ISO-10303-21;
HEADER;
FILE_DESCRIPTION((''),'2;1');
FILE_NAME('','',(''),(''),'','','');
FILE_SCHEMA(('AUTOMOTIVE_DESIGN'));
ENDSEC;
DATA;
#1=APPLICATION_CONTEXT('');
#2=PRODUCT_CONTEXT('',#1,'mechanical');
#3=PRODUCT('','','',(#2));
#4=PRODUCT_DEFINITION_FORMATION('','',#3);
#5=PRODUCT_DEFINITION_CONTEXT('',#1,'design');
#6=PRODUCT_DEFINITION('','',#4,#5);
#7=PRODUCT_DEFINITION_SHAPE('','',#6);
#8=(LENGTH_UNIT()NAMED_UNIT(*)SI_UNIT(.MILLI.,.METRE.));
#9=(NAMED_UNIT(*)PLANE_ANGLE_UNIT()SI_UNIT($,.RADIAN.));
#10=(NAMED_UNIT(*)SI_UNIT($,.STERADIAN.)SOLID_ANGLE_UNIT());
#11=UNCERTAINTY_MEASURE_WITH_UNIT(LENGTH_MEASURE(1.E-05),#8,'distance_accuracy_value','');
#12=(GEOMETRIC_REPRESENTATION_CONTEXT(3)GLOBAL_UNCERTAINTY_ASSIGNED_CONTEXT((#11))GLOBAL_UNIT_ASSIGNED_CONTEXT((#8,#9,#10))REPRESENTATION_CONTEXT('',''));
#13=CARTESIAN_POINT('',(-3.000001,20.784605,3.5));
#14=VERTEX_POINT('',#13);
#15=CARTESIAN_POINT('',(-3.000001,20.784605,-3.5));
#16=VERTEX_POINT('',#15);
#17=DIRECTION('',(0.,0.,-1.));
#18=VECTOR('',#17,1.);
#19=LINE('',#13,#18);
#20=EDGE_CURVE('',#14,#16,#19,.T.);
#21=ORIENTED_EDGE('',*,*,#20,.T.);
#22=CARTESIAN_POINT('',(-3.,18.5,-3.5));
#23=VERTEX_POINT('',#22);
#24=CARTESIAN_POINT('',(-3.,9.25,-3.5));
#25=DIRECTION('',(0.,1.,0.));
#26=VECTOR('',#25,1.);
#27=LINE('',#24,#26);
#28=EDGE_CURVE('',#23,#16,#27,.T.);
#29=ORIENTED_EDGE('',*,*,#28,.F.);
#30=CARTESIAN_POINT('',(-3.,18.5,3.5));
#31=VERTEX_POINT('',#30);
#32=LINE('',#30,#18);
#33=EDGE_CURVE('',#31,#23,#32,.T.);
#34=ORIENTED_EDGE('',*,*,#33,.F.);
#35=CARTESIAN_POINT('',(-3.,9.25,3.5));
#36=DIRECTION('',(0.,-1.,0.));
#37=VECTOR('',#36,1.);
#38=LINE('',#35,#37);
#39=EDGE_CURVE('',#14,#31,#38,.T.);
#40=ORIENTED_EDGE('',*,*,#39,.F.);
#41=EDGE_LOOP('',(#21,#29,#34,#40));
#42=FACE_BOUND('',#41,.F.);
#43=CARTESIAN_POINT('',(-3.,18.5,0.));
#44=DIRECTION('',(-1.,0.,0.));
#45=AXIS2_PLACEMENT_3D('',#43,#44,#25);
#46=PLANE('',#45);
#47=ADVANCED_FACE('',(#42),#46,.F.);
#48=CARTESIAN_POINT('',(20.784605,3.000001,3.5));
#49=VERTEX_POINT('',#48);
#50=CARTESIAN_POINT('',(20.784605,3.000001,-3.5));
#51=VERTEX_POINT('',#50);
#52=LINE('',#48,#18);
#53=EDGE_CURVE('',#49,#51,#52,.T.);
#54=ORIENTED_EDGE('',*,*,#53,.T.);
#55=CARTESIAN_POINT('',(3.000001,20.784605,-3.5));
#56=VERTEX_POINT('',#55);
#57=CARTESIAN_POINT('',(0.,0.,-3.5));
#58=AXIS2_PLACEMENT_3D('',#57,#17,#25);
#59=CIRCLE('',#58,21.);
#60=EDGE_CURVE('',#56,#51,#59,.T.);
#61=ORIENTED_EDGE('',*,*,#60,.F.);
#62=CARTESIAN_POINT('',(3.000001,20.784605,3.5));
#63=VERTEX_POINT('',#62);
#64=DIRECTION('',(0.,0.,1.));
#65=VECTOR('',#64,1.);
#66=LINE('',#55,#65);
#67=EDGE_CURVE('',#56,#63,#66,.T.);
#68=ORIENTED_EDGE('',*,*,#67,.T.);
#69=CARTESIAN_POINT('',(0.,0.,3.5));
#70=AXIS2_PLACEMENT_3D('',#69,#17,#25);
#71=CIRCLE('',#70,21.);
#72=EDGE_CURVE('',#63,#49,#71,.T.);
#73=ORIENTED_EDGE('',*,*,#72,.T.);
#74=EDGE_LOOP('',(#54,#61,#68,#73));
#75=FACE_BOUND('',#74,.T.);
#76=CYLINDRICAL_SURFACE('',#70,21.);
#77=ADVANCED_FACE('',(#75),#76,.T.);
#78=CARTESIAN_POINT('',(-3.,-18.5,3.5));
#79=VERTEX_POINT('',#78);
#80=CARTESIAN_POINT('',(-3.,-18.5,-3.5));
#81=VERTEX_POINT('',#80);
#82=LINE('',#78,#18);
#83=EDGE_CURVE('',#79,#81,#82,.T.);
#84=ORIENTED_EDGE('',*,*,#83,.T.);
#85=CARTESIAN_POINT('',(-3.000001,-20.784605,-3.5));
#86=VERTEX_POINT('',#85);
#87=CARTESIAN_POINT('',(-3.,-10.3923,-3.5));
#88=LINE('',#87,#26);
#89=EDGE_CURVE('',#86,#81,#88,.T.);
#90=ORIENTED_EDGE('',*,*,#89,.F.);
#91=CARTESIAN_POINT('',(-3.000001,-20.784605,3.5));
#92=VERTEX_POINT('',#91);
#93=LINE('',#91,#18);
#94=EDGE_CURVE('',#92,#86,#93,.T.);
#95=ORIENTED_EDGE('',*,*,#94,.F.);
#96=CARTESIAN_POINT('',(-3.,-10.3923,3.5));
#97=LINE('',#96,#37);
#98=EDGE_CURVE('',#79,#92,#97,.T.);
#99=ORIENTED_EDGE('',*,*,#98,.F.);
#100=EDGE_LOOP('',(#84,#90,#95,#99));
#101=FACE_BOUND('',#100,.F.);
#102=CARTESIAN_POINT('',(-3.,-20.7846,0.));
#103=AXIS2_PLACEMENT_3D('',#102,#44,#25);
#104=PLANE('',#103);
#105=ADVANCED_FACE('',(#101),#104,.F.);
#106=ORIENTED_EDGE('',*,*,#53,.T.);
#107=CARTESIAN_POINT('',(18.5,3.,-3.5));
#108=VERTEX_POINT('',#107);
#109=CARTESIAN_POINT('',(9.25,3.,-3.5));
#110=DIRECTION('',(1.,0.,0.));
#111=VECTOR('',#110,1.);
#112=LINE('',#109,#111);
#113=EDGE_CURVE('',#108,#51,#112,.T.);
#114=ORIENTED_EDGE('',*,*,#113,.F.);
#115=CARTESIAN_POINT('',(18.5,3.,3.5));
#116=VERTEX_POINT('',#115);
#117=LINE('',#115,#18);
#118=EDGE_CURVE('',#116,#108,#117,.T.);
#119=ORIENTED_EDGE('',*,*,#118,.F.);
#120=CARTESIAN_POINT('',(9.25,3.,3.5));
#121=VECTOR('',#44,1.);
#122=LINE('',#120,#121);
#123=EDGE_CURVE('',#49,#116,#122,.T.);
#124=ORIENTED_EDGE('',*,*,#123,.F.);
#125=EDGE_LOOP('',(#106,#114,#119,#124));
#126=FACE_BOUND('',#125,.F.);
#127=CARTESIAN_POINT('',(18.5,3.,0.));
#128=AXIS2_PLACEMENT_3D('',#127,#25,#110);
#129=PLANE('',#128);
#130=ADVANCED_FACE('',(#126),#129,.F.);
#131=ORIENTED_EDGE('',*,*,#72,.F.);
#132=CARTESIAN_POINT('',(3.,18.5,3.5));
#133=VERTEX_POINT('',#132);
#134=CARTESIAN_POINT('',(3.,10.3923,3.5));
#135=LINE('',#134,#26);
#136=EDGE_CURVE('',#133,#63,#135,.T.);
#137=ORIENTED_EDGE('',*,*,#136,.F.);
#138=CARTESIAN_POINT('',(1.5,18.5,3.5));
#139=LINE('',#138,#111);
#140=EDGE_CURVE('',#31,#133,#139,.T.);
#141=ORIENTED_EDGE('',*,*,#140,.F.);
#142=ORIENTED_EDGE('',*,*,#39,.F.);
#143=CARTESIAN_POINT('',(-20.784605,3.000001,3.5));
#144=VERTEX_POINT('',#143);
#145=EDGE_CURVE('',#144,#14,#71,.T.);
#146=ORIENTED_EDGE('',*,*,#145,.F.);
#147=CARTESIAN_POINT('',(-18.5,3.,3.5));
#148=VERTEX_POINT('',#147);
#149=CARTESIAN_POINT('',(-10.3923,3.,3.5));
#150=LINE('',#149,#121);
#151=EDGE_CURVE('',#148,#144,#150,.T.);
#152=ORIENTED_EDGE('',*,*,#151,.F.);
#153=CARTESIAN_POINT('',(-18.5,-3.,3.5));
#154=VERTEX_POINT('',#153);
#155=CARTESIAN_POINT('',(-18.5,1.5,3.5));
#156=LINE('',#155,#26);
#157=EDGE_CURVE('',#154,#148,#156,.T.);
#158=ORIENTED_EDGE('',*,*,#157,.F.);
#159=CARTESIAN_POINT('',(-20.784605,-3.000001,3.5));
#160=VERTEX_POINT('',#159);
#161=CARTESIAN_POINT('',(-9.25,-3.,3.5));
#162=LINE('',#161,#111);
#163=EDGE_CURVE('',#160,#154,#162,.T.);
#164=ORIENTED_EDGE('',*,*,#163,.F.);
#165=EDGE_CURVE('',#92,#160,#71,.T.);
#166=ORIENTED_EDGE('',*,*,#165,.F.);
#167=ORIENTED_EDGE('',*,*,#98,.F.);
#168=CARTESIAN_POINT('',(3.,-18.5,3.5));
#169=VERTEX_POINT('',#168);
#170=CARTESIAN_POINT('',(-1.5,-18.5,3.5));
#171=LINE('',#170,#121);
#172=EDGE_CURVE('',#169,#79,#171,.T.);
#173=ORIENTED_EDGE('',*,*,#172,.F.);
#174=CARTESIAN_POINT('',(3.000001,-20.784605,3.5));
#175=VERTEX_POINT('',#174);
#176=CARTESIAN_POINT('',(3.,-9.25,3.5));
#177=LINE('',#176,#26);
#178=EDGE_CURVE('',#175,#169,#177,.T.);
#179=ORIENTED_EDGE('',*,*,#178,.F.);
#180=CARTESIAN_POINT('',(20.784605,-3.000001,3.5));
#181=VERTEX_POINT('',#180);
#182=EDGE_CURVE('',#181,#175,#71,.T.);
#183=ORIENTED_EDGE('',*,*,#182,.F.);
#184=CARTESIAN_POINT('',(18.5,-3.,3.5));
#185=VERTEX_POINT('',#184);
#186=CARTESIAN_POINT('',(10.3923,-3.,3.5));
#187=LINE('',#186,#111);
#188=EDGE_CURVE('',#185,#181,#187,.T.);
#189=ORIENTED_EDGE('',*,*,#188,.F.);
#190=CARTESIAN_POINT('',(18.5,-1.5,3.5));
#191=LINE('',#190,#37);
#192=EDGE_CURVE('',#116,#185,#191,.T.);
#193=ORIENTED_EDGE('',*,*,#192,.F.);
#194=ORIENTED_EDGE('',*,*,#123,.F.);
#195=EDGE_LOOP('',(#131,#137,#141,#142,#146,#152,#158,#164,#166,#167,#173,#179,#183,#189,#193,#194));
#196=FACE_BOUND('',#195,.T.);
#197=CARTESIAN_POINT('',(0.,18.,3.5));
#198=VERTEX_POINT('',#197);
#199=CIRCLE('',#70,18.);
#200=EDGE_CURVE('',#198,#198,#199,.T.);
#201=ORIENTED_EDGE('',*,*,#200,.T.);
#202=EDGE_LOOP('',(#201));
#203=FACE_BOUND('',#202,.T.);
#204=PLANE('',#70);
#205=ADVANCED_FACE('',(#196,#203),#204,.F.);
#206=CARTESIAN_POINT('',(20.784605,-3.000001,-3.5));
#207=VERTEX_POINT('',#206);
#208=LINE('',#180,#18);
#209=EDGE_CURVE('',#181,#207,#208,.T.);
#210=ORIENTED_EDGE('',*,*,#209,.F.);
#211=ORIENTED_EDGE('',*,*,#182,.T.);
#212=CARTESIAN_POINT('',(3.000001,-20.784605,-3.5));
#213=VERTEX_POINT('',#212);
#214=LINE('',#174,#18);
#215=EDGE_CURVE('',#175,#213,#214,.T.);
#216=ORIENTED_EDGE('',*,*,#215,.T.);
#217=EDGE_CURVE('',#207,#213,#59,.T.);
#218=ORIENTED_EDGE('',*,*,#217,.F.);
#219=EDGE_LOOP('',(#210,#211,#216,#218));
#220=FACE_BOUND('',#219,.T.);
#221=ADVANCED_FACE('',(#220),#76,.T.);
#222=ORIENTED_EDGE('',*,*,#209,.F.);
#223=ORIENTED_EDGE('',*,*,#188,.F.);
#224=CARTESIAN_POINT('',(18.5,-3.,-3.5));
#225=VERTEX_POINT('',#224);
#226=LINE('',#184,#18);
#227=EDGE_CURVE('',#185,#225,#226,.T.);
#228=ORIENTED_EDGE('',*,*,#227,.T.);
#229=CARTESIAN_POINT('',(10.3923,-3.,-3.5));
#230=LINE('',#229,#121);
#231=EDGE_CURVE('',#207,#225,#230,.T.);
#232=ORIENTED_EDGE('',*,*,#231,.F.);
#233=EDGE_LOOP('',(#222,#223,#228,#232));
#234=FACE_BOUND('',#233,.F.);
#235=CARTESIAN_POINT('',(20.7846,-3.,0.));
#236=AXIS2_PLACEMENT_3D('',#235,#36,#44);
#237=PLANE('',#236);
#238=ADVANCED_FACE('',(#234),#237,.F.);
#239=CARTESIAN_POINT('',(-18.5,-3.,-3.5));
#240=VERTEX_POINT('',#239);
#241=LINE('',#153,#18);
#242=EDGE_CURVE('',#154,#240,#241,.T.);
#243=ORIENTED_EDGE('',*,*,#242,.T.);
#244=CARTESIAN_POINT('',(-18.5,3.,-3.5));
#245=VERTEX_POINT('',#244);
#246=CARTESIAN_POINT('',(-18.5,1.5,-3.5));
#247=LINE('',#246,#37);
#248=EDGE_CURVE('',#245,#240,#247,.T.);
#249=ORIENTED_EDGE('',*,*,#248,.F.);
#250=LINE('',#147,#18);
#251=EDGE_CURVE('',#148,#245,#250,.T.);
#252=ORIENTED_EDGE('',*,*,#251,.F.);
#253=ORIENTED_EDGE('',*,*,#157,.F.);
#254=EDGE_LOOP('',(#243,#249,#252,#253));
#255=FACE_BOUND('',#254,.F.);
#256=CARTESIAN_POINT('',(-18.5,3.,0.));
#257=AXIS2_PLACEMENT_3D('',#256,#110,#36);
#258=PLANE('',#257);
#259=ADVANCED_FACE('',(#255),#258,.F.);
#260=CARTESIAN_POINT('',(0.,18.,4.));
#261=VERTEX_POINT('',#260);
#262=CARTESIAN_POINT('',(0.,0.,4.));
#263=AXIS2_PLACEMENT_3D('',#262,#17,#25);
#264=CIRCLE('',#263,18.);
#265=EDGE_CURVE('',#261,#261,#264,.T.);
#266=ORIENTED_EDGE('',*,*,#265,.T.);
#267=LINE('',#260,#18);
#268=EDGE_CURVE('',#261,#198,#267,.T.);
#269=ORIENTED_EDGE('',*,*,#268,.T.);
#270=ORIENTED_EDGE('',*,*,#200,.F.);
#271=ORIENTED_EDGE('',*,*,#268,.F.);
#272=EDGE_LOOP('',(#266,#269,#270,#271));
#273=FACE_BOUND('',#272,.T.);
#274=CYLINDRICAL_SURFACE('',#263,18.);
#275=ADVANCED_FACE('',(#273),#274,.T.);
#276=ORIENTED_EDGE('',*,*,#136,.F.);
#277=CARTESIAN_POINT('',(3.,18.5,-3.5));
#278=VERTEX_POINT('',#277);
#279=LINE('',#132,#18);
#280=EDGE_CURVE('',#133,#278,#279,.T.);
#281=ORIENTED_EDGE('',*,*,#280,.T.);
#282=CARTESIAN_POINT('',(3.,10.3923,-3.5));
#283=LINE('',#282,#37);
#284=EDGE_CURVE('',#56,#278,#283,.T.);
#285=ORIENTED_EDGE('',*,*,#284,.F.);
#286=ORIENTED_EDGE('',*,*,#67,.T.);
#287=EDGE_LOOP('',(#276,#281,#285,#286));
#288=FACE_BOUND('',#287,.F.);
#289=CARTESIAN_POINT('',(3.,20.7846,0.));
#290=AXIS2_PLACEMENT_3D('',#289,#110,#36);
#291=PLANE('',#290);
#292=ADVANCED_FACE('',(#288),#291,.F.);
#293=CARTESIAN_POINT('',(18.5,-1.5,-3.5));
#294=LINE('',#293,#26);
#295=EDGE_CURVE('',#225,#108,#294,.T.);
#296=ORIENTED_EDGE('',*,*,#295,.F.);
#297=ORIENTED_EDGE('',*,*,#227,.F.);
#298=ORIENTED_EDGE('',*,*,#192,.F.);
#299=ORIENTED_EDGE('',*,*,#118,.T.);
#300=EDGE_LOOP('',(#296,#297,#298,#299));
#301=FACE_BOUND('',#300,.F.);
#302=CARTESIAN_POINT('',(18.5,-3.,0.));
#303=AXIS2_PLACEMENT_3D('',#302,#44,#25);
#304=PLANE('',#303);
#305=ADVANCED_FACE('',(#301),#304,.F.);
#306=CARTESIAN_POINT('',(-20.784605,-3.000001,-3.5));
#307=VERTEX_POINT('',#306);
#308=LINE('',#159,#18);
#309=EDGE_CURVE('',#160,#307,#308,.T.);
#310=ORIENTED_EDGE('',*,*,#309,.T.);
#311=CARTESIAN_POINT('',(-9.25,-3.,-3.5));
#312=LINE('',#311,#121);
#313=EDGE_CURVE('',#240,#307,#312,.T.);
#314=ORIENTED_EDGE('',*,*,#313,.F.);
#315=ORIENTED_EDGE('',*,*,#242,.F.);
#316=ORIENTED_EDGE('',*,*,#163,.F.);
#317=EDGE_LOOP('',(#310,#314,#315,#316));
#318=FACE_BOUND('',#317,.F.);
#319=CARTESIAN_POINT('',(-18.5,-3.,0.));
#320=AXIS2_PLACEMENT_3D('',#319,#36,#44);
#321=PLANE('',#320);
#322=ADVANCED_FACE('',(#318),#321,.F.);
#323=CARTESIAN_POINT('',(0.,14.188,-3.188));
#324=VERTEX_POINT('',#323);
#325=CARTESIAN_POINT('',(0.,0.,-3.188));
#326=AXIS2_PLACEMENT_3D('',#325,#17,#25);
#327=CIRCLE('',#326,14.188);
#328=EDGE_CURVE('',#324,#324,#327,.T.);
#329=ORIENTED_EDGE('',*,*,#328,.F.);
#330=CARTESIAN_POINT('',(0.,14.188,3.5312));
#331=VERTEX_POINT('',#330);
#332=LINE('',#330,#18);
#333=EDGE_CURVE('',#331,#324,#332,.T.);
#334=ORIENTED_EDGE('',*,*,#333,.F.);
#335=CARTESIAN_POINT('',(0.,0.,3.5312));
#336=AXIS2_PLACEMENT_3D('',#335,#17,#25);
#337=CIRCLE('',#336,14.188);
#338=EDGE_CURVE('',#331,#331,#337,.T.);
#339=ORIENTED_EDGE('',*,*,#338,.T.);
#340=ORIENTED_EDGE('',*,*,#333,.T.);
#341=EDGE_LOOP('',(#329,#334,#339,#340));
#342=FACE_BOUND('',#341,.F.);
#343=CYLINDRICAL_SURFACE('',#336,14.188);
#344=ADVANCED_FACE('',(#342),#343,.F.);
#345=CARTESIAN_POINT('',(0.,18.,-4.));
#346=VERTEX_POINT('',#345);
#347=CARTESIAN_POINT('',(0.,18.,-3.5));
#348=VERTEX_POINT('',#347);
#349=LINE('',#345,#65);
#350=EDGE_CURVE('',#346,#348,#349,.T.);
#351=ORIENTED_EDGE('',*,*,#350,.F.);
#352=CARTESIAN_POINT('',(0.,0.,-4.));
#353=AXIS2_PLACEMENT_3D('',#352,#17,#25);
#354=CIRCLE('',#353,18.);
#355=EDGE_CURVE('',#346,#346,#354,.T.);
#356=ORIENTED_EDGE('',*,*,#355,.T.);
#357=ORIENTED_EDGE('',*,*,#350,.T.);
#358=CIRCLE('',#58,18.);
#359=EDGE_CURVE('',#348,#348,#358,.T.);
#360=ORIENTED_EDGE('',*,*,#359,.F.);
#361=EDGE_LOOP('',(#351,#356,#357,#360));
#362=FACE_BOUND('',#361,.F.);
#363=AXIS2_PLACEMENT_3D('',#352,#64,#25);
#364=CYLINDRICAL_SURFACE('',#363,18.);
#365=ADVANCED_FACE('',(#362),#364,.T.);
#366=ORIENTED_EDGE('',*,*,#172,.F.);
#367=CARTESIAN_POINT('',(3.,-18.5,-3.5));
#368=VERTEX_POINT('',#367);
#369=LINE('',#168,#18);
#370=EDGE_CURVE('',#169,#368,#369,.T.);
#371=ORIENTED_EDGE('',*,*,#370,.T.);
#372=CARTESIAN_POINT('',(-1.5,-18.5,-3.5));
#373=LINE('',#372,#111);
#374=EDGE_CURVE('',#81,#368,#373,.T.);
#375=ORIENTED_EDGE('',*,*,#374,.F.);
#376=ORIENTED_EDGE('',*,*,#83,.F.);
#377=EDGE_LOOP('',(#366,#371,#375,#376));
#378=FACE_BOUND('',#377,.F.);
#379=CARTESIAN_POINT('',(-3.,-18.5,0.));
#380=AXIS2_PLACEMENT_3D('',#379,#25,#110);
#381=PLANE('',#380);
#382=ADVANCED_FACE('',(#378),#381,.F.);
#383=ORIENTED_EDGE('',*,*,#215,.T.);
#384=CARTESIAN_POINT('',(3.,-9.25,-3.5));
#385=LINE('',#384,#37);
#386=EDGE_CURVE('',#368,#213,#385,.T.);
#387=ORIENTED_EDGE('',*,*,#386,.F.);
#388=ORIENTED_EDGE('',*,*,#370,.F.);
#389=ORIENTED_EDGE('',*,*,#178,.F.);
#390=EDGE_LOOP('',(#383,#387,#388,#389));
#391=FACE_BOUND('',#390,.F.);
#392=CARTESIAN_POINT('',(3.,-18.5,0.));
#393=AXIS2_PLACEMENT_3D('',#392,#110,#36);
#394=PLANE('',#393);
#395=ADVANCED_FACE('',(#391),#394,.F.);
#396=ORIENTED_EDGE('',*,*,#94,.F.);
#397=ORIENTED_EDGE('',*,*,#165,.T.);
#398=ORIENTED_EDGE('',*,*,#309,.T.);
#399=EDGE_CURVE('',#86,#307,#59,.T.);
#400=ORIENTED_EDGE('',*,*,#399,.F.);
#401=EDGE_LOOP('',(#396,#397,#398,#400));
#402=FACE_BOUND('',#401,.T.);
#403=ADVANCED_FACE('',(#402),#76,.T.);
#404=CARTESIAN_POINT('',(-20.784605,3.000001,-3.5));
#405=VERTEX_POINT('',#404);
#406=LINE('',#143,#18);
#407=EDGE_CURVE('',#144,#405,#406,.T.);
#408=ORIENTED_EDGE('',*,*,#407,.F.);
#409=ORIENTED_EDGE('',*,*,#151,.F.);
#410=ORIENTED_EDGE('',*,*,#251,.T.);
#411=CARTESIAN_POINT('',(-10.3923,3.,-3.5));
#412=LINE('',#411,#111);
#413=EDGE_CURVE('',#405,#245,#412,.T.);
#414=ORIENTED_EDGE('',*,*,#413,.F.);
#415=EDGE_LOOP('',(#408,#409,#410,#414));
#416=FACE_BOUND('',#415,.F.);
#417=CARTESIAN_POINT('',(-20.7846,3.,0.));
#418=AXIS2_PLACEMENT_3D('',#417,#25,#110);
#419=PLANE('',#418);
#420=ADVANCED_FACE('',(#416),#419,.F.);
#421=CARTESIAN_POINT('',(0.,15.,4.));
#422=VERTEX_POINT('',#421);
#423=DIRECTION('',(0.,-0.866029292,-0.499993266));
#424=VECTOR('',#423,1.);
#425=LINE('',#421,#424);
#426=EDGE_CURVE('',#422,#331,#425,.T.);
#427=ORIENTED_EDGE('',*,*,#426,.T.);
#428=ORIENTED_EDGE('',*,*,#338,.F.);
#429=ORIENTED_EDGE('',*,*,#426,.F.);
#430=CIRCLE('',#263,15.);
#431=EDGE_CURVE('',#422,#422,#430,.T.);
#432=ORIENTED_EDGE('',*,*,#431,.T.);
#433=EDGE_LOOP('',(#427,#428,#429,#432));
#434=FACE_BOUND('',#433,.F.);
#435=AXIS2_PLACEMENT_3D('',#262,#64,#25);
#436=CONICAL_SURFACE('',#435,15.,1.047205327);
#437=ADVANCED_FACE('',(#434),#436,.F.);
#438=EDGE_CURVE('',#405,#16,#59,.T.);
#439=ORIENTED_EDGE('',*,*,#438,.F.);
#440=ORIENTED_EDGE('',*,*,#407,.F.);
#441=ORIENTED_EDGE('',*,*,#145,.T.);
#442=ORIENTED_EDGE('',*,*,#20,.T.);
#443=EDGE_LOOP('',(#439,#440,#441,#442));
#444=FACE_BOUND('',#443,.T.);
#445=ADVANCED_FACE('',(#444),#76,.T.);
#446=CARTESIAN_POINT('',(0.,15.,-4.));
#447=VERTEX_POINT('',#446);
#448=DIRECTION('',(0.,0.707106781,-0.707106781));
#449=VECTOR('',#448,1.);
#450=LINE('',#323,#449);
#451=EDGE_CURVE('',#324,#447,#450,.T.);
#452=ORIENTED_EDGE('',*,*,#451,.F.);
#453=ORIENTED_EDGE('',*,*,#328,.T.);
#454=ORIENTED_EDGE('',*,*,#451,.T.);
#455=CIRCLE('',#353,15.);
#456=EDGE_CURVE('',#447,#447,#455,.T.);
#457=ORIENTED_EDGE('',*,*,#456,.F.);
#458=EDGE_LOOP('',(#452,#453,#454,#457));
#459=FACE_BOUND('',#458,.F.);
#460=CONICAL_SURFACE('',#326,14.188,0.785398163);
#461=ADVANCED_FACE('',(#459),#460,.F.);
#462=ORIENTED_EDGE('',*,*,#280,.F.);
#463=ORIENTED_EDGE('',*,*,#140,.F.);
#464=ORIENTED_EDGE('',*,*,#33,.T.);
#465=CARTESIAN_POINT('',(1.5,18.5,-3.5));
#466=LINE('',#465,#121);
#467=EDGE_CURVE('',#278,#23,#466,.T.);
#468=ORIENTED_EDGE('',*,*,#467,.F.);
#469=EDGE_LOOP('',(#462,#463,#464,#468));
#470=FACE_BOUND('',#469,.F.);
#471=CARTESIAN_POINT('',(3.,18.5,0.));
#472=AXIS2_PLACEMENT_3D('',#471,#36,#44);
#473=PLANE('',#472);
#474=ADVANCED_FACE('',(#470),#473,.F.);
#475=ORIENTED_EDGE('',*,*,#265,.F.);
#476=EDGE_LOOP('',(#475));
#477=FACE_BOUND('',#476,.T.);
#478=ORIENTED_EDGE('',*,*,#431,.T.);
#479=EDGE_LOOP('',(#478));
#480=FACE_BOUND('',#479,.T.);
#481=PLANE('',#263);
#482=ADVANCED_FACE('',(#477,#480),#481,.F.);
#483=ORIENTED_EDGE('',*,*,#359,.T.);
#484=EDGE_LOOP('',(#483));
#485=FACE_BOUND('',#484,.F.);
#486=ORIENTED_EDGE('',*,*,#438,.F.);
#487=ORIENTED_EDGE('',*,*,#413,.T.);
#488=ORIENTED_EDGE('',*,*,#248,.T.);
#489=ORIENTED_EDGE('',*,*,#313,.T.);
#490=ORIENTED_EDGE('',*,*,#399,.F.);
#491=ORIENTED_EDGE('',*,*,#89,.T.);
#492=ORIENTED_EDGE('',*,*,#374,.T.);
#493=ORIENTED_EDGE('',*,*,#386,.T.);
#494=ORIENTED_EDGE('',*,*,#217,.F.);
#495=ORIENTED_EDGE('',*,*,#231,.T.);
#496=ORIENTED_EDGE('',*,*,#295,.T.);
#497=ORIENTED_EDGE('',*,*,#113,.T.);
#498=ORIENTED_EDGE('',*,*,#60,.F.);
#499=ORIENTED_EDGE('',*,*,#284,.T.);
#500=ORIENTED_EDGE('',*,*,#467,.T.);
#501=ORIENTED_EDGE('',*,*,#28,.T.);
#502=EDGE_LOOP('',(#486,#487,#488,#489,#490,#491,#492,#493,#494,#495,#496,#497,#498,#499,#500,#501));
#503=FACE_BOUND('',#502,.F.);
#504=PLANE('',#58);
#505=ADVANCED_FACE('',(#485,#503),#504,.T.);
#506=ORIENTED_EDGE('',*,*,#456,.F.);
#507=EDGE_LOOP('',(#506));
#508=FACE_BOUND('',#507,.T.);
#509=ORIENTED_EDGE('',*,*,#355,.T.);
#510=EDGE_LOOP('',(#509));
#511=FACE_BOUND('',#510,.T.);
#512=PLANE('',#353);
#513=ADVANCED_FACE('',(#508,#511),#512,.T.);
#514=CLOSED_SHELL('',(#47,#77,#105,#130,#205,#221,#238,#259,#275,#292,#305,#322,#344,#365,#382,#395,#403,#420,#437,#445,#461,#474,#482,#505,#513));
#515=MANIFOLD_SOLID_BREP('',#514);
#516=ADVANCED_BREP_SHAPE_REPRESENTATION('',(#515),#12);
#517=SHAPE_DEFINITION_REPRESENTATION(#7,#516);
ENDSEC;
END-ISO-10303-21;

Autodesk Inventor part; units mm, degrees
sketch "Sketch_1" plane through (0, 0, 0) normal (1, 0, 0) x (0, 1, 0)
  line L0 (0, -4) -> (0, 4)
  line L1 (0, 4) -> (18, 4)
  line L2 (18, 4) -> (18, 3.5)
  line L3 (18, 3.5) -> (21, 3.5)
  line L4 (21, 3.5) -> (21, -4)
  line L5 (21, -4) -> (0, -4)
  line L6 (0, -4) -> (0, 4)
revolve "Revolution1" add sketch "Sketch_1" angle 360 about axis through (0, 0, -4) along (0, 0, -1)
sketch "Sketch_2" plane through (0, 0, 0) normal (1, 0, 0) x (0, 1, 0)
  line L0 (0, -4) -> (0, 4)
  line L1 (0, 4) -> (15, 4)
  line L2 (15, 4) -> (14.188, 3.5312)
  line L3 (14.188, 3.5312) -> (14.188, -3.188)
  line L4 (14.188, -3.188) -> (15, -4)
  line L5 (15, -4) -> (0, -4)
  line L6 (0, -4) -> (0, 4)
revolve "Revolution2" cut sketch "Sketch_2" angle 360 about axis through (0, 0, -4) along (0, 0, -1)
thread "Thread1" size "M30x1.5" class "6H" standard "ISO Metric profile" full length
sketch "Sketch_6" plane through (0, 0, 0) normal (1, 0, 0) x (0, 1, 0)
  line L0 (0, -6) -> (0, -4)
  line L1 (0, -4) -> (18, -4)
  line L2 (18, -4) -> (18, -3.5)
  line L3 (18, -3.5) -> (21, -3.5)
  line L4 (21, -3.5) -> (21, -6)
  line L5 (21, -6) -> (0, -6)
  line L6 (0, -6) -> (0, -4)
revolve "Revolution3" cut sketch "Sketch_6" angle 360 about axis through (0, 0, -6) along (0, 0, -1)
sketch "Sketch_3" plane through (0, 0, 0) normal (0, 0, 1) x (1, 0, 0)
  circle A0 centre (0, 0) radius 25.2
  line L0 (-20.7846, 3) -> (-18.5, 3)
  line L1 (-18.5, 3) -> (-18.5, -3)
  line L2 (-18.5, -3) -> (-20.7846, -3)
  arc A1 (-20.7846, -3) -> (-3, -20.7846) centre (0, 0) ccw
  line L3 (-3, -20.7846) -> (-3, -18.5)
  line L4 (-3, -18.5) -> (3, -18.5)
  line L5 (3, -18.5) -> (3, -20.7846)
  arc A2 (3, -20.7846) -> (20.7846, -3) centre (0, 0) ccw
  line L6 (20.7846, -3) -> (18.5, -3)
  line L7 (18.5, -3) -> (18.5, 3)
  line L8 (18.5, 3) -> (20.7846, 3)
  arc A3 (20.7846, 3) -> (3, 20.7846) centre (0, 0) ccw
  line L9 (3, 20.7846) -> (3, 18.5)
  line L10 (3, 18.5) -> (-3, 18.5)
  line L11 (-3, 18.5) -> (-3, 20.7846)
  arc A4 (-3, 20.7846) -> (-20.7846, 3) centre (0, 0) ccw
extrude "Extrusion1" cut sketch "Sketch_3" along normal mid plane 8
ref_plane "FDT_CYLINDER_XY" through (0, 0, -4) normal (0, 0, 1) x (1, 0, 0)
ref_plane "FDT_CYLINDER_YZ" through (0, 0, -4) normal (1, 0, 0) x (0, 1, 0)
ref_plane "FDT_CYLINDER_ZX" through (0, 0, -4) normal (0, 1, 0) x (0, 0, 1)
ref_plane "NUT_XY" through (0, 0, 4) normal (0, 0, -1) x (1, 0, 0)
ref_plane "NUT_YZ" through (0, 0, 4) normal (1, 0, 0) x (0, -1, 0)
ref_plane "NUT_ZX" through (0, 0, 4) normal (0, -1, 0) x (0, 0, -1)
properties part number "3753 M30x1.5"
